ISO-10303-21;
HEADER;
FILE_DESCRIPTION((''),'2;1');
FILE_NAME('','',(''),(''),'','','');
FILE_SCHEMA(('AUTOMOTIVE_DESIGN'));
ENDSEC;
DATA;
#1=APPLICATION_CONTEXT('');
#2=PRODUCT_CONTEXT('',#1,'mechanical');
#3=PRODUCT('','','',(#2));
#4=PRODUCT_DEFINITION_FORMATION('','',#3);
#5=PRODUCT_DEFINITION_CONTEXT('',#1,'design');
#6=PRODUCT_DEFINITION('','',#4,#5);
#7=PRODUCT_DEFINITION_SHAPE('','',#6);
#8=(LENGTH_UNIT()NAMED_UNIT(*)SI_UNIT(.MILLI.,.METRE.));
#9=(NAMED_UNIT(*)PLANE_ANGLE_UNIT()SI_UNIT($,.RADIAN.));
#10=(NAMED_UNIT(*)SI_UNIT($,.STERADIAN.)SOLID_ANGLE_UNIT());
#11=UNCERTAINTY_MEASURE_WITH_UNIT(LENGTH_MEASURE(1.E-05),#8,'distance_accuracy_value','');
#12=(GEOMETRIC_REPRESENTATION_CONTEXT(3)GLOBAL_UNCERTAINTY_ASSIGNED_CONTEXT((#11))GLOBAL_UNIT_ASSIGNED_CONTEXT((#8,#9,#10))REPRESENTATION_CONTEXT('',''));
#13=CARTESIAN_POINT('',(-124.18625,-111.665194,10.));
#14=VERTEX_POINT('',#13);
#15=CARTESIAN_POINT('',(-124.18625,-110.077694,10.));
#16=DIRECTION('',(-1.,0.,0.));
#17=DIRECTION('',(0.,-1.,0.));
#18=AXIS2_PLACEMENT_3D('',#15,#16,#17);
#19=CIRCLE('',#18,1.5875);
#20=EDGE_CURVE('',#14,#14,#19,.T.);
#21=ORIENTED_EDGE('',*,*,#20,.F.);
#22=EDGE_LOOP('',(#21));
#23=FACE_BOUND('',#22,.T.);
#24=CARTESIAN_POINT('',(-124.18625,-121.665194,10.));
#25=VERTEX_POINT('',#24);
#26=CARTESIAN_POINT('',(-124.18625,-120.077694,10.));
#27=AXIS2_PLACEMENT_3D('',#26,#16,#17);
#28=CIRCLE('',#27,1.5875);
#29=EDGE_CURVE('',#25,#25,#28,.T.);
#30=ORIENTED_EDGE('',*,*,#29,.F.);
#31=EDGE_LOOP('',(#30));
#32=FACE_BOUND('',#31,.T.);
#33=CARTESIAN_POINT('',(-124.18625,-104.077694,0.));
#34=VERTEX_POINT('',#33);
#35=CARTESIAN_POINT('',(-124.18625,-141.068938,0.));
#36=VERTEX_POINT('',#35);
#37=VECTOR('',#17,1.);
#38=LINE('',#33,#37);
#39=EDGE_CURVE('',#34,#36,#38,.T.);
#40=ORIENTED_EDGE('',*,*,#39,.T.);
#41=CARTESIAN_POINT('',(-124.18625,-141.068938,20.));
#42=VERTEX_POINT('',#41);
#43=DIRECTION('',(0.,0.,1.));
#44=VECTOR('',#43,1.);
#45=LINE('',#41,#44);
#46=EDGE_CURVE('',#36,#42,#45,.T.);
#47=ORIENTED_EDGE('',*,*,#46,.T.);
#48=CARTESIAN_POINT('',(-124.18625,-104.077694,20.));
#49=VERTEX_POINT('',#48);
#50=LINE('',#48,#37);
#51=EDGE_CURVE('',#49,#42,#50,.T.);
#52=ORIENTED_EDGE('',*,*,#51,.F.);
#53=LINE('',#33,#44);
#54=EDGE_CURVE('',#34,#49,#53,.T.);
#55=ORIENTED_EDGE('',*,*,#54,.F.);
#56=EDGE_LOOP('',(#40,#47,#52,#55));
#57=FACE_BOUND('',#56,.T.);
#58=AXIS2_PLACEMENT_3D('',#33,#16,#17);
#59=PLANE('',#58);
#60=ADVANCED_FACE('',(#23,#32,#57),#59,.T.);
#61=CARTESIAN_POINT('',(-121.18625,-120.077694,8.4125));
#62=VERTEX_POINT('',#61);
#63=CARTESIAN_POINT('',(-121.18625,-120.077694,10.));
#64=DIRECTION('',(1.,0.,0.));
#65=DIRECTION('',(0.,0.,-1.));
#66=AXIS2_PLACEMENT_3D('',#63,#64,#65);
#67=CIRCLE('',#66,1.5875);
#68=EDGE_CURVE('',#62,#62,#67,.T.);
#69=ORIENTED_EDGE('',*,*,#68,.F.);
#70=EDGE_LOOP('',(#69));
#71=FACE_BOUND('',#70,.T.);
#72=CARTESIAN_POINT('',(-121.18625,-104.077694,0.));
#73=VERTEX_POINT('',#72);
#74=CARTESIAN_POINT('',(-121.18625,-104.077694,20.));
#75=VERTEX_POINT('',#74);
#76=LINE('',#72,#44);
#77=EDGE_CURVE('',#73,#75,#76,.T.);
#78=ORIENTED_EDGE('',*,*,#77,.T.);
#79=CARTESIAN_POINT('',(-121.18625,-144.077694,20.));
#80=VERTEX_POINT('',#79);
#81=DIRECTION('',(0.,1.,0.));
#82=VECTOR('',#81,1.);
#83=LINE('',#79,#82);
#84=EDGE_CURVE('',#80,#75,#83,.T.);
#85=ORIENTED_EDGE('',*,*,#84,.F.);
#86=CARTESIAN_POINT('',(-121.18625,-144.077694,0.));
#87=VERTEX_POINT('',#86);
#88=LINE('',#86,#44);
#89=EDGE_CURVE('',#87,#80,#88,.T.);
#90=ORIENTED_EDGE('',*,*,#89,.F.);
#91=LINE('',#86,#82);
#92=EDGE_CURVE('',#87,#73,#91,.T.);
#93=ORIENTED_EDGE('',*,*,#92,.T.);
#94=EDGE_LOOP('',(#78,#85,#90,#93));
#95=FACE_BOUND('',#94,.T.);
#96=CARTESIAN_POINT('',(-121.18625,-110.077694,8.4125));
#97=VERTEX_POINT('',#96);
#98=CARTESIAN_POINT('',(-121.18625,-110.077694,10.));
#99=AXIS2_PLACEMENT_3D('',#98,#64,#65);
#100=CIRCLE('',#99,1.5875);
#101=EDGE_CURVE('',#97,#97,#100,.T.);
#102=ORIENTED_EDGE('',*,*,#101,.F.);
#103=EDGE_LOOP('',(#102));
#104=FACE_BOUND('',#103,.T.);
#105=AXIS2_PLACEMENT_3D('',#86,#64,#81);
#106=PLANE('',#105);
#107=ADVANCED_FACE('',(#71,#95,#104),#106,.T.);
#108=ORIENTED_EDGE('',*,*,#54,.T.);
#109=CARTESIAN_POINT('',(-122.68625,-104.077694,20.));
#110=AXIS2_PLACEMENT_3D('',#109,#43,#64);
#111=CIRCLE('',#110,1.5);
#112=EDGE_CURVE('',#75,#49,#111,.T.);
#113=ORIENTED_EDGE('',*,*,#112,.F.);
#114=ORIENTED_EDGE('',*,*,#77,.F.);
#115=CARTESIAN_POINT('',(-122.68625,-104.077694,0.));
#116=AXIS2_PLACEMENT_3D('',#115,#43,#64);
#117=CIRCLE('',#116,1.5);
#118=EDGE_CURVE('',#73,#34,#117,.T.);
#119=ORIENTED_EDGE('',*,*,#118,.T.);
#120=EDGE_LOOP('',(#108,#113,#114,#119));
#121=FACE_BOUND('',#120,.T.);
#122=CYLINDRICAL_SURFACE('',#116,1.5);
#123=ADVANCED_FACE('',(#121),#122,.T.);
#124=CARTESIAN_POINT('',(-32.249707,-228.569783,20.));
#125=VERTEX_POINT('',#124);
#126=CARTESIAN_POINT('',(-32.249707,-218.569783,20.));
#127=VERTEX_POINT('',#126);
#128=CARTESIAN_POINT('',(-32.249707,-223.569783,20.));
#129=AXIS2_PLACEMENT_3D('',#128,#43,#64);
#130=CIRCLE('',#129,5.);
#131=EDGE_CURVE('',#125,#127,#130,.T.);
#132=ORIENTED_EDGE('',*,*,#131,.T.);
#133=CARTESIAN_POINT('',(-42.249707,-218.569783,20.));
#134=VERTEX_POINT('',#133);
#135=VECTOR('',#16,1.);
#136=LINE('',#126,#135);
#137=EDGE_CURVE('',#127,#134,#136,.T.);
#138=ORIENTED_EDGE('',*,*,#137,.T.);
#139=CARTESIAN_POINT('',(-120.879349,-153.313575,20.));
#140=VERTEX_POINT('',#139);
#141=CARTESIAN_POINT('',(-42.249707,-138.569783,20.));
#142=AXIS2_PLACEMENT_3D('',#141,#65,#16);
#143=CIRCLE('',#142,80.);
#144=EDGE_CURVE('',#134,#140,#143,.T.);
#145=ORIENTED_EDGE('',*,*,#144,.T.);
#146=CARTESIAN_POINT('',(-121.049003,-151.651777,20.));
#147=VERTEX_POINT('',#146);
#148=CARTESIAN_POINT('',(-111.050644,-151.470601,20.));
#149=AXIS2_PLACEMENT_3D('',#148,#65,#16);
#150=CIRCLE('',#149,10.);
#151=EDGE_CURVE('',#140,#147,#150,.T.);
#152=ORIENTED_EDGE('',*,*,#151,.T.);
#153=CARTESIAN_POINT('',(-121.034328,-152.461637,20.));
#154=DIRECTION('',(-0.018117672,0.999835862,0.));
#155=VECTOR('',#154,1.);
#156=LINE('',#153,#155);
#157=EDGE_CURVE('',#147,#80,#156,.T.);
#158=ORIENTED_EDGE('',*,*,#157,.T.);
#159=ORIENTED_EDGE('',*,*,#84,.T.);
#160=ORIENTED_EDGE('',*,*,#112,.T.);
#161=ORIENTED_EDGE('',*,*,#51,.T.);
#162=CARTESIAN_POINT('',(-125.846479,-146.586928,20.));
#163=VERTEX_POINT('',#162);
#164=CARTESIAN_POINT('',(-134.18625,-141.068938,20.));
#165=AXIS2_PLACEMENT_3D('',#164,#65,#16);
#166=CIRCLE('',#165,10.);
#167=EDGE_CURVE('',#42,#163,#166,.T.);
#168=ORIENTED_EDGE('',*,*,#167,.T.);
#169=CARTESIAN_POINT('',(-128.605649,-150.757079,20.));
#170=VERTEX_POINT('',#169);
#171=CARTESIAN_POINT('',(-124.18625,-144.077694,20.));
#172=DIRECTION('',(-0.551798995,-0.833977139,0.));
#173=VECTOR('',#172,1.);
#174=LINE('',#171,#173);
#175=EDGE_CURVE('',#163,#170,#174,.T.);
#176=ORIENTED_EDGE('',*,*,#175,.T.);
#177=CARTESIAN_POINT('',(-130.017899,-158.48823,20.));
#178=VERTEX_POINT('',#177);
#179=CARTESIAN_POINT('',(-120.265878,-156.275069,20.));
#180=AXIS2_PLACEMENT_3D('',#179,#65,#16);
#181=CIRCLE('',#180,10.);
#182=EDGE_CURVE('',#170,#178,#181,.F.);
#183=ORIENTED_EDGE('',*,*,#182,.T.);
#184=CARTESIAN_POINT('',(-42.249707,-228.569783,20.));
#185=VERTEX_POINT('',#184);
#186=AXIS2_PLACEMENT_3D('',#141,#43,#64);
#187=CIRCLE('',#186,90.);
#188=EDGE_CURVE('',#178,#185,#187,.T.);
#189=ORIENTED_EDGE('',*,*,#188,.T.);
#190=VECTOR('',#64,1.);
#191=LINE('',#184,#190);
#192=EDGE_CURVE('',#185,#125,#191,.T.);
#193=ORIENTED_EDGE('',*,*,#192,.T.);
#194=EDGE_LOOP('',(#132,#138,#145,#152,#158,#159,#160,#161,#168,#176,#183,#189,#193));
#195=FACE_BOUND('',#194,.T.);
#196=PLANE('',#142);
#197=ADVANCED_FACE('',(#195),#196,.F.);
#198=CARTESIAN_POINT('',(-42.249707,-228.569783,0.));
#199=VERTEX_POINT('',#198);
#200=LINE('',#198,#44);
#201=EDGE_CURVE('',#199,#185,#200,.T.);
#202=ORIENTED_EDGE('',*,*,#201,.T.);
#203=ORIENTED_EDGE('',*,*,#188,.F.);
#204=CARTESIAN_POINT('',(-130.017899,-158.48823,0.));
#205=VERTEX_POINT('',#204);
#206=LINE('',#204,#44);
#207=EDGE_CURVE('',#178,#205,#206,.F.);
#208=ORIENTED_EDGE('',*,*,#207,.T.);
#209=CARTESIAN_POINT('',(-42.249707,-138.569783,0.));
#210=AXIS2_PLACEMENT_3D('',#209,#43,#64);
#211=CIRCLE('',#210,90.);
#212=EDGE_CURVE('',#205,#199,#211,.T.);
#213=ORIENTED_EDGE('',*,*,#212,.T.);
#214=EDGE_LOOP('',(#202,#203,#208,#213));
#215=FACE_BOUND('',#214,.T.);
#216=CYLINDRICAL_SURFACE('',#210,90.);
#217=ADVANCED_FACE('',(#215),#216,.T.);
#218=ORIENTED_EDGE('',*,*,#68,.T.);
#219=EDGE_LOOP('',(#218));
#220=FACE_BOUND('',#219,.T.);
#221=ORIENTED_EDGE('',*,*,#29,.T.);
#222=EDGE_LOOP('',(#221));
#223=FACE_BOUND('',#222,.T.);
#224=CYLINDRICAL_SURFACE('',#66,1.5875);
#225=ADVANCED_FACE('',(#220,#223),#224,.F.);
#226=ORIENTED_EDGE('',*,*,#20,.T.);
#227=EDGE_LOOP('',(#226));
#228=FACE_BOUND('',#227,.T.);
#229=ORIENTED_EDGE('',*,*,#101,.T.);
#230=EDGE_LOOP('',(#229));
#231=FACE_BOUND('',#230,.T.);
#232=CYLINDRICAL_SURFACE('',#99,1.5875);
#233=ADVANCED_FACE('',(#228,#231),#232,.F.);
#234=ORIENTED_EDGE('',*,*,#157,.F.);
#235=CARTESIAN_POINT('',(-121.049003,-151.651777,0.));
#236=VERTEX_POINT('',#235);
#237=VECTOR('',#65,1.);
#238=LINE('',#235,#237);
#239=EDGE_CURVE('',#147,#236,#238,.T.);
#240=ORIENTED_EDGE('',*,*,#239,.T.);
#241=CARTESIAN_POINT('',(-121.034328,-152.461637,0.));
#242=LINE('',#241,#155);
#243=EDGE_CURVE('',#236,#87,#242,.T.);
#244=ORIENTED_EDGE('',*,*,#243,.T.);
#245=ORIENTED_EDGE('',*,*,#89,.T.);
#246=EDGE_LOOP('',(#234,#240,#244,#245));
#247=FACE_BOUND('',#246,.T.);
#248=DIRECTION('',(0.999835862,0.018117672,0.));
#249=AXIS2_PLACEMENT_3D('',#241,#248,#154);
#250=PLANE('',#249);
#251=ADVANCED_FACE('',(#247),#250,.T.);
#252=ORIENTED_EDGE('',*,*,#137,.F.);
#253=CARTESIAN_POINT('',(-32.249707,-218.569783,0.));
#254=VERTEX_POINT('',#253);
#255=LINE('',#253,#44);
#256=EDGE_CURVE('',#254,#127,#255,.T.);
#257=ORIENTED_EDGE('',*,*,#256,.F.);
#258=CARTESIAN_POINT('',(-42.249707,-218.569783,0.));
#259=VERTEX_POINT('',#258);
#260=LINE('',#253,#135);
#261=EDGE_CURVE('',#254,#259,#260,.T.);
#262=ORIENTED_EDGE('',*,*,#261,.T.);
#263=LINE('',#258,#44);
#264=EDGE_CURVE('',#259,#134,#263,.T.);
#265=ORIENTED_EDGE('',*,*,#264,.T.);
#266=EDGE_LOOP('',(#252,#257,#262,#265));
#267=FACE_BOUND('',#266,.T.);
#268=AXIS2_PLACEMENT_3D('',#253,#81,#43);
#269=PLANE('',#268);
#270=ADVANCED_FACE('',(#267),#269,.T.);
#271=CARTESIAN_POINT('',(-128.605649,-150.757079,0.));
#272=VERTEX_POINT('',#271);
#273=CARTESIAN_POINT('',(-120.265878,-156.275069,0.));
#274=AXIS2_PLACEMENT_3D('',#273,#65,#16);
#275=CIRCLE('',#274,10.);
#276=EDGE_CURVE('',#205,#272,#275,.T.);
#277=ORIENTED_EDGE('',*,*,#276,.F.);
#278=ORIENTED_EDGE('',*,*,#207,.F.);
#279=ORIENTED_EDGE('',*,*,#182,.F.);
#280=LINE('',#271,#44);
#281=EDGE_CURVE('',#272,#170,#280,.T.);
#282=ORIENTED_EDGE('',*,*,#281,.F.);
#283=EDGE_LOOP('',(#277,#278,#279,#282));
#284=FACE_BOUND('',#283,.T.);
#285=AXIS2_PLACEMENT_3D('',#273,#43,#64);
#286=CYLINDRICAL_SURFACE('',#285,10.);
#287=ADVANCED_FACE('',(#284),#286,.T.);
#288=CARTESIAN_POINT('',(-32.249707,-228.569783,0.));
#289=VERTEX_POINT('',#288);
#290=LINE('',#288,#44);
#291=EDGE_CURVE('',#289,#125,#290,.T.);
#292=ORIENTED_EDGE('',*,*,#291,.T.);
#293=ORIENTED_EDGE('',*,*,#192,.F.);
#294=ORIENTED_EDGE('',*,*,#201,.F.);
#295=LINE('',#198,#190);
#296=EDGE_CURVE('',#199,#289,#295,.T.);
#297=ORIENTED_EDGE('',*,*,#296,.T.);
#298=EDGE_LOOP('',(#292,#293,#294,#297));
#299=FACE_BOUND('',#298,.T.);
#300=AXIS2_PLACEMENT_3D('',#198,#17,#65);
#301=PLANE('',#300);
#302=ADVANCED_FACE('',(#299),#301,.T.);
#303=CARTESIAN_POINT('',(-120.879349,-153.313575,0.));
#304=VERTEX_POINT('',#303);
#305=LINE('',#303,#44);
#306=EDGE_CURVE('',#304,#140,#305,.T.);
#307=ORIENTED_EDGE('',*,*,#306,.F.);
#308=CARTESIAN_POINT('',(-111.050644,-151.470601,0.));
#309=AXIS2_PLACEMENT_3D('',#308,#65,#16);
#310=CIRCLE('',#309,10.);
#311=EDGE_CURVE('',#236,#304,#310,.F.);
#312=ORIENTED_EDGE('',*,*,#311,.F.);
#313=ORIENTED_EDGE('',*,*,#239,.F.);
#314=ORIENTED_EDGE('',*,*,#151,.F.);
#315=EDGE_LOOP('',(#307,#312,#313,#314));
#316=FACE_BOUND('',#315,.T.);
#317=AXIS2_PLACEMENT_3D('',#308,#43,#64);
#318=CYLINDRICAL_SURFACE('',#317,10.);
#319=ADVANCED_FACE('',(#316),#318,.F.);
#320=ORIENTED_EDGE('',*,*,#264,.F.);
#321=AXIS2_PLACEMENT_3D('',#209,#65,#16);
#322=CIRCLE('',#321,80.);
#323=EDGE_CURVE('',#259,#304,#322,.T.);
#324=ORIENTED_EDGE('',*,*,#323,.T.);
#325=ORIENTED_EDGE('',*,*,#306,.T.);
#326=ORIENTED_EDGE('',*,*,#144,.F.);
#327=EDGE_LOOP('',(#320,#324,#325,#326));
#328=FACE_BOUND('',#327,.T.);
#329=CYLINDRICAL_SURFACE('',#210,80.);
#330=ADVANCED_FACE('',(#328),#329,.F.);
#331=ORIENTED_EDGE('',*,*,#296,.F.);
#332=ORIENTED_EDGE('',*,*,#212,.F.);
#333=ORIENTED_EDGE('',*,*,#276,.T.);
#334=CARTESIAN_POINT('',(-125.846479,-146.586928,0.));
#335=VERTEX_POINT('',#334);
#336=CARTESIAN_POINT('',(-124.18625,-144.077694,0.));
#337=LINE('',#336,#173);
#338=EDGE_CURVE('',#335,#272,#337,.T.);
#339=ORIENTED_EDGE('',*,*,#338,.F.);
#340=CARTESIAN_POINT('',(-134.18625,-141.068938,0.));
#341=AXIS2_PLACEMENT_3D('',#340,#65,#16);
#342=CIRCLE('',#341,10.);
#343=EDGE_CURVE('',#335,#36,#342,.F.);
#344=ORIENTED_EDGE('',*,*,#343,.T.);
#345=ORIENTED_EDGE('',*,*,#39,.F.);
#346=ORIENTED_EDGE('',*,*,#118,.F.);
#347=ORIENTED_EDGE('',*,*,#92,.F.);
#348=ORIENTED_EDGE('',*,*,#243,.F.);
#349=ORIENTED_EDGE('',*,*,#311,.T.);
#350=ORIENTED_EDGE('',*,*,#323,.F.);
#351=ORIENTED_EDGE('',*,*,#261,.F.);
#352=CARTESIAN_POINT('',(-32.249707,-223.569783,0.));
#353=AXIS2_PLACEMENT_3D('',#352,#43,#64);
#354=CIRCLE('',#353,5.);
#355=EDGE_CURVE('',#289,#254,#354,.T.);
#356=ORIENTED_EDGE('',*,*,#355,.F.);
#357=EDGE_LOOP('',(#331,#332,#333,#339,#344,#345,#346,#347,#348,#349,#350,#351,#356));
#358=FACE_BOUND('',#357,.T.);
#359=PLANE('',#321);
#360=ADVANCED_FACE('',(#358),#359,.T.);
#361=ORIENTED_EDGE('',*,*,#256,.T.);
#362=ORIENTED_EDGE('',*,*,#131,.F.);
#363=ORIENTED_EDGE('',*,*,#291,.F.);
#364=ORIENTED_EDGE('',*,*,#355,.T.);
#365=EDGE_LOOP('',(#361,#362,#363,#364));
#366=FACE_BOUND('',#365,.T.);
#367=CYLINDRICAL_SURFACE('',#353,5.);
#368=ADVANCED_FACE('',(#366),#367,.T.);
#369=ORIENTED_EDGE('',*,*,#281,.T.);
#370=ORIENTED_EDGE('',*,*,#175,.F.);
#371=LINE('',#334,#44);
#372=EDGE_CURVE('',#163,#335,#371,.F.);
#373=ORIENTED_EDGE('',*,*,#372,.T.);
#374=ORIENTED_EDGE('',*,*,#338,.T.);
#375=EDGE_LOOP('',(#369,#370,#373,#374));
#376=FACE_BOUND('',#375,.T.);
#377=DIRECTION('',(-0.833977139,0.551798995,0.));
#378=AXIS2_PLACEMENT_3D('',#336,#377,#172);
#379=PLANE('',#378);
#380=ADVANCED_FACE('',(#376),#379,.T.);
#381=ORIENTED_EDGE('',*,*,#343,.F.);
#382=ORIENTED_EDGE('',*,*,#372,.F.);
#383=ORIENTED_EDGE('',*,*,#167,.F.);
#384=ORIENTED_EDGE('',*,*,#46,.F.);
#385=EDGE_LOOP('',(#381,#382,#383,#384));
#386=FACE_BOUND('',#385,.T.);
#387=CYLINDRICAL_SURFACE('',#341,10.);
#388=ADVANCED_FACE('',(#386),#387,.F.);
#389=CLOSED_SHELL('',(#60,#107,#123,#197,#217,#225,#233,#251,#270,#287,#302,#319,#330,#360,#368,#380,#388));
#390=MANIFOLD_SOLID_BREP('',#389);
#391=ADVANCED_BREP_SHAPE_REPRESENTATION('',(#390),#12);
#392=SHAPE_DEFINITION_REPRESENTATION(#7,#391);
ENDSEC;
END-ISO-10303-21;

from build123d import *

# Parameters (mm, degrees)
BOSS_EXTRUDE1_DEPTH              = 20
F_1_8_0_125_DIAMETER_HOLE1_D     = 3.175
F_1_8_0_125_DIAMETER_HOLE1_DEPTH = 9.69615506
FILLET1_R                        = 10


with BuildPart() as part:
    # Sketch1 → Boss-Extrude1 (new body)
    with BuildSketch(Plane.XY.offset(20)):
        with BuildLine():
            Line((-121.03432752, -152.461637247), (-121.18624999, -144.077694208))
            Line((-121.18624999, -144.077694208), (-121.18624999, -104.077694208))
            ThreePointArc((-121.18624999, -104.077694208), (-122.68624999, -102.577694208), (-124.18624999, -104.077694208))
            Line((-124.18624999, -104.077694208), (-124.18624999, -144.077694208))
            Line((-124.18624999, -144.077694208), (-130.88240505, -154.198119024))
            ThreePointArc((-130.88240505, -154.198119024), (-100.100592151, -207.513782914), (-42.249707279, -228.569783034))
            Line((-42.249707279, -228.569783034), (-32.249707279, -228.569783034))
            ThreePointArc((-32.249707279, -228.569783034), (-27.249707279, -223.569783034), (-32.249707279, -218.569783034))
            Line((-32.249707279, -218.569783034), (-42.249707279, -218.569783034))
            ThreePointArc((-42.249707279, -218.569783034), (-93.672716054, -199.853338483), (-121.03432752, -152.461637247))
        make_face()
    extrude(amount=-BOSS_EXTRUDE1_DEPTH)

    # 1/8 (0.125) Diameter Hole1
    with Locations(Plane(origin=(-121.18624999, 0, 0), x_dir=(0, 0, -1), z_dir=(1, 0, 0))):
        with Locations((-10, -120.077694208), (-10, -110.077694208)):
            Hole(F_1_8_0_125_DIAMETER_HOLE1_D / 2, depth=F_1_8_0_125_DIAMETER_HOLE1_DEPTH)

    # Fillet1
    fillet1_edges = [part.edges().sort_by_distance(p)[0] for p in [
        (-130.88240505, -154.198119024, 10),
        (-124.18624999, -144.077694208, 10),
        (-121.03432752, -152.461637247, 10),
    ]]
    fillet(fillet1_edges, radius=FILLET1_R)


solid = part.part
